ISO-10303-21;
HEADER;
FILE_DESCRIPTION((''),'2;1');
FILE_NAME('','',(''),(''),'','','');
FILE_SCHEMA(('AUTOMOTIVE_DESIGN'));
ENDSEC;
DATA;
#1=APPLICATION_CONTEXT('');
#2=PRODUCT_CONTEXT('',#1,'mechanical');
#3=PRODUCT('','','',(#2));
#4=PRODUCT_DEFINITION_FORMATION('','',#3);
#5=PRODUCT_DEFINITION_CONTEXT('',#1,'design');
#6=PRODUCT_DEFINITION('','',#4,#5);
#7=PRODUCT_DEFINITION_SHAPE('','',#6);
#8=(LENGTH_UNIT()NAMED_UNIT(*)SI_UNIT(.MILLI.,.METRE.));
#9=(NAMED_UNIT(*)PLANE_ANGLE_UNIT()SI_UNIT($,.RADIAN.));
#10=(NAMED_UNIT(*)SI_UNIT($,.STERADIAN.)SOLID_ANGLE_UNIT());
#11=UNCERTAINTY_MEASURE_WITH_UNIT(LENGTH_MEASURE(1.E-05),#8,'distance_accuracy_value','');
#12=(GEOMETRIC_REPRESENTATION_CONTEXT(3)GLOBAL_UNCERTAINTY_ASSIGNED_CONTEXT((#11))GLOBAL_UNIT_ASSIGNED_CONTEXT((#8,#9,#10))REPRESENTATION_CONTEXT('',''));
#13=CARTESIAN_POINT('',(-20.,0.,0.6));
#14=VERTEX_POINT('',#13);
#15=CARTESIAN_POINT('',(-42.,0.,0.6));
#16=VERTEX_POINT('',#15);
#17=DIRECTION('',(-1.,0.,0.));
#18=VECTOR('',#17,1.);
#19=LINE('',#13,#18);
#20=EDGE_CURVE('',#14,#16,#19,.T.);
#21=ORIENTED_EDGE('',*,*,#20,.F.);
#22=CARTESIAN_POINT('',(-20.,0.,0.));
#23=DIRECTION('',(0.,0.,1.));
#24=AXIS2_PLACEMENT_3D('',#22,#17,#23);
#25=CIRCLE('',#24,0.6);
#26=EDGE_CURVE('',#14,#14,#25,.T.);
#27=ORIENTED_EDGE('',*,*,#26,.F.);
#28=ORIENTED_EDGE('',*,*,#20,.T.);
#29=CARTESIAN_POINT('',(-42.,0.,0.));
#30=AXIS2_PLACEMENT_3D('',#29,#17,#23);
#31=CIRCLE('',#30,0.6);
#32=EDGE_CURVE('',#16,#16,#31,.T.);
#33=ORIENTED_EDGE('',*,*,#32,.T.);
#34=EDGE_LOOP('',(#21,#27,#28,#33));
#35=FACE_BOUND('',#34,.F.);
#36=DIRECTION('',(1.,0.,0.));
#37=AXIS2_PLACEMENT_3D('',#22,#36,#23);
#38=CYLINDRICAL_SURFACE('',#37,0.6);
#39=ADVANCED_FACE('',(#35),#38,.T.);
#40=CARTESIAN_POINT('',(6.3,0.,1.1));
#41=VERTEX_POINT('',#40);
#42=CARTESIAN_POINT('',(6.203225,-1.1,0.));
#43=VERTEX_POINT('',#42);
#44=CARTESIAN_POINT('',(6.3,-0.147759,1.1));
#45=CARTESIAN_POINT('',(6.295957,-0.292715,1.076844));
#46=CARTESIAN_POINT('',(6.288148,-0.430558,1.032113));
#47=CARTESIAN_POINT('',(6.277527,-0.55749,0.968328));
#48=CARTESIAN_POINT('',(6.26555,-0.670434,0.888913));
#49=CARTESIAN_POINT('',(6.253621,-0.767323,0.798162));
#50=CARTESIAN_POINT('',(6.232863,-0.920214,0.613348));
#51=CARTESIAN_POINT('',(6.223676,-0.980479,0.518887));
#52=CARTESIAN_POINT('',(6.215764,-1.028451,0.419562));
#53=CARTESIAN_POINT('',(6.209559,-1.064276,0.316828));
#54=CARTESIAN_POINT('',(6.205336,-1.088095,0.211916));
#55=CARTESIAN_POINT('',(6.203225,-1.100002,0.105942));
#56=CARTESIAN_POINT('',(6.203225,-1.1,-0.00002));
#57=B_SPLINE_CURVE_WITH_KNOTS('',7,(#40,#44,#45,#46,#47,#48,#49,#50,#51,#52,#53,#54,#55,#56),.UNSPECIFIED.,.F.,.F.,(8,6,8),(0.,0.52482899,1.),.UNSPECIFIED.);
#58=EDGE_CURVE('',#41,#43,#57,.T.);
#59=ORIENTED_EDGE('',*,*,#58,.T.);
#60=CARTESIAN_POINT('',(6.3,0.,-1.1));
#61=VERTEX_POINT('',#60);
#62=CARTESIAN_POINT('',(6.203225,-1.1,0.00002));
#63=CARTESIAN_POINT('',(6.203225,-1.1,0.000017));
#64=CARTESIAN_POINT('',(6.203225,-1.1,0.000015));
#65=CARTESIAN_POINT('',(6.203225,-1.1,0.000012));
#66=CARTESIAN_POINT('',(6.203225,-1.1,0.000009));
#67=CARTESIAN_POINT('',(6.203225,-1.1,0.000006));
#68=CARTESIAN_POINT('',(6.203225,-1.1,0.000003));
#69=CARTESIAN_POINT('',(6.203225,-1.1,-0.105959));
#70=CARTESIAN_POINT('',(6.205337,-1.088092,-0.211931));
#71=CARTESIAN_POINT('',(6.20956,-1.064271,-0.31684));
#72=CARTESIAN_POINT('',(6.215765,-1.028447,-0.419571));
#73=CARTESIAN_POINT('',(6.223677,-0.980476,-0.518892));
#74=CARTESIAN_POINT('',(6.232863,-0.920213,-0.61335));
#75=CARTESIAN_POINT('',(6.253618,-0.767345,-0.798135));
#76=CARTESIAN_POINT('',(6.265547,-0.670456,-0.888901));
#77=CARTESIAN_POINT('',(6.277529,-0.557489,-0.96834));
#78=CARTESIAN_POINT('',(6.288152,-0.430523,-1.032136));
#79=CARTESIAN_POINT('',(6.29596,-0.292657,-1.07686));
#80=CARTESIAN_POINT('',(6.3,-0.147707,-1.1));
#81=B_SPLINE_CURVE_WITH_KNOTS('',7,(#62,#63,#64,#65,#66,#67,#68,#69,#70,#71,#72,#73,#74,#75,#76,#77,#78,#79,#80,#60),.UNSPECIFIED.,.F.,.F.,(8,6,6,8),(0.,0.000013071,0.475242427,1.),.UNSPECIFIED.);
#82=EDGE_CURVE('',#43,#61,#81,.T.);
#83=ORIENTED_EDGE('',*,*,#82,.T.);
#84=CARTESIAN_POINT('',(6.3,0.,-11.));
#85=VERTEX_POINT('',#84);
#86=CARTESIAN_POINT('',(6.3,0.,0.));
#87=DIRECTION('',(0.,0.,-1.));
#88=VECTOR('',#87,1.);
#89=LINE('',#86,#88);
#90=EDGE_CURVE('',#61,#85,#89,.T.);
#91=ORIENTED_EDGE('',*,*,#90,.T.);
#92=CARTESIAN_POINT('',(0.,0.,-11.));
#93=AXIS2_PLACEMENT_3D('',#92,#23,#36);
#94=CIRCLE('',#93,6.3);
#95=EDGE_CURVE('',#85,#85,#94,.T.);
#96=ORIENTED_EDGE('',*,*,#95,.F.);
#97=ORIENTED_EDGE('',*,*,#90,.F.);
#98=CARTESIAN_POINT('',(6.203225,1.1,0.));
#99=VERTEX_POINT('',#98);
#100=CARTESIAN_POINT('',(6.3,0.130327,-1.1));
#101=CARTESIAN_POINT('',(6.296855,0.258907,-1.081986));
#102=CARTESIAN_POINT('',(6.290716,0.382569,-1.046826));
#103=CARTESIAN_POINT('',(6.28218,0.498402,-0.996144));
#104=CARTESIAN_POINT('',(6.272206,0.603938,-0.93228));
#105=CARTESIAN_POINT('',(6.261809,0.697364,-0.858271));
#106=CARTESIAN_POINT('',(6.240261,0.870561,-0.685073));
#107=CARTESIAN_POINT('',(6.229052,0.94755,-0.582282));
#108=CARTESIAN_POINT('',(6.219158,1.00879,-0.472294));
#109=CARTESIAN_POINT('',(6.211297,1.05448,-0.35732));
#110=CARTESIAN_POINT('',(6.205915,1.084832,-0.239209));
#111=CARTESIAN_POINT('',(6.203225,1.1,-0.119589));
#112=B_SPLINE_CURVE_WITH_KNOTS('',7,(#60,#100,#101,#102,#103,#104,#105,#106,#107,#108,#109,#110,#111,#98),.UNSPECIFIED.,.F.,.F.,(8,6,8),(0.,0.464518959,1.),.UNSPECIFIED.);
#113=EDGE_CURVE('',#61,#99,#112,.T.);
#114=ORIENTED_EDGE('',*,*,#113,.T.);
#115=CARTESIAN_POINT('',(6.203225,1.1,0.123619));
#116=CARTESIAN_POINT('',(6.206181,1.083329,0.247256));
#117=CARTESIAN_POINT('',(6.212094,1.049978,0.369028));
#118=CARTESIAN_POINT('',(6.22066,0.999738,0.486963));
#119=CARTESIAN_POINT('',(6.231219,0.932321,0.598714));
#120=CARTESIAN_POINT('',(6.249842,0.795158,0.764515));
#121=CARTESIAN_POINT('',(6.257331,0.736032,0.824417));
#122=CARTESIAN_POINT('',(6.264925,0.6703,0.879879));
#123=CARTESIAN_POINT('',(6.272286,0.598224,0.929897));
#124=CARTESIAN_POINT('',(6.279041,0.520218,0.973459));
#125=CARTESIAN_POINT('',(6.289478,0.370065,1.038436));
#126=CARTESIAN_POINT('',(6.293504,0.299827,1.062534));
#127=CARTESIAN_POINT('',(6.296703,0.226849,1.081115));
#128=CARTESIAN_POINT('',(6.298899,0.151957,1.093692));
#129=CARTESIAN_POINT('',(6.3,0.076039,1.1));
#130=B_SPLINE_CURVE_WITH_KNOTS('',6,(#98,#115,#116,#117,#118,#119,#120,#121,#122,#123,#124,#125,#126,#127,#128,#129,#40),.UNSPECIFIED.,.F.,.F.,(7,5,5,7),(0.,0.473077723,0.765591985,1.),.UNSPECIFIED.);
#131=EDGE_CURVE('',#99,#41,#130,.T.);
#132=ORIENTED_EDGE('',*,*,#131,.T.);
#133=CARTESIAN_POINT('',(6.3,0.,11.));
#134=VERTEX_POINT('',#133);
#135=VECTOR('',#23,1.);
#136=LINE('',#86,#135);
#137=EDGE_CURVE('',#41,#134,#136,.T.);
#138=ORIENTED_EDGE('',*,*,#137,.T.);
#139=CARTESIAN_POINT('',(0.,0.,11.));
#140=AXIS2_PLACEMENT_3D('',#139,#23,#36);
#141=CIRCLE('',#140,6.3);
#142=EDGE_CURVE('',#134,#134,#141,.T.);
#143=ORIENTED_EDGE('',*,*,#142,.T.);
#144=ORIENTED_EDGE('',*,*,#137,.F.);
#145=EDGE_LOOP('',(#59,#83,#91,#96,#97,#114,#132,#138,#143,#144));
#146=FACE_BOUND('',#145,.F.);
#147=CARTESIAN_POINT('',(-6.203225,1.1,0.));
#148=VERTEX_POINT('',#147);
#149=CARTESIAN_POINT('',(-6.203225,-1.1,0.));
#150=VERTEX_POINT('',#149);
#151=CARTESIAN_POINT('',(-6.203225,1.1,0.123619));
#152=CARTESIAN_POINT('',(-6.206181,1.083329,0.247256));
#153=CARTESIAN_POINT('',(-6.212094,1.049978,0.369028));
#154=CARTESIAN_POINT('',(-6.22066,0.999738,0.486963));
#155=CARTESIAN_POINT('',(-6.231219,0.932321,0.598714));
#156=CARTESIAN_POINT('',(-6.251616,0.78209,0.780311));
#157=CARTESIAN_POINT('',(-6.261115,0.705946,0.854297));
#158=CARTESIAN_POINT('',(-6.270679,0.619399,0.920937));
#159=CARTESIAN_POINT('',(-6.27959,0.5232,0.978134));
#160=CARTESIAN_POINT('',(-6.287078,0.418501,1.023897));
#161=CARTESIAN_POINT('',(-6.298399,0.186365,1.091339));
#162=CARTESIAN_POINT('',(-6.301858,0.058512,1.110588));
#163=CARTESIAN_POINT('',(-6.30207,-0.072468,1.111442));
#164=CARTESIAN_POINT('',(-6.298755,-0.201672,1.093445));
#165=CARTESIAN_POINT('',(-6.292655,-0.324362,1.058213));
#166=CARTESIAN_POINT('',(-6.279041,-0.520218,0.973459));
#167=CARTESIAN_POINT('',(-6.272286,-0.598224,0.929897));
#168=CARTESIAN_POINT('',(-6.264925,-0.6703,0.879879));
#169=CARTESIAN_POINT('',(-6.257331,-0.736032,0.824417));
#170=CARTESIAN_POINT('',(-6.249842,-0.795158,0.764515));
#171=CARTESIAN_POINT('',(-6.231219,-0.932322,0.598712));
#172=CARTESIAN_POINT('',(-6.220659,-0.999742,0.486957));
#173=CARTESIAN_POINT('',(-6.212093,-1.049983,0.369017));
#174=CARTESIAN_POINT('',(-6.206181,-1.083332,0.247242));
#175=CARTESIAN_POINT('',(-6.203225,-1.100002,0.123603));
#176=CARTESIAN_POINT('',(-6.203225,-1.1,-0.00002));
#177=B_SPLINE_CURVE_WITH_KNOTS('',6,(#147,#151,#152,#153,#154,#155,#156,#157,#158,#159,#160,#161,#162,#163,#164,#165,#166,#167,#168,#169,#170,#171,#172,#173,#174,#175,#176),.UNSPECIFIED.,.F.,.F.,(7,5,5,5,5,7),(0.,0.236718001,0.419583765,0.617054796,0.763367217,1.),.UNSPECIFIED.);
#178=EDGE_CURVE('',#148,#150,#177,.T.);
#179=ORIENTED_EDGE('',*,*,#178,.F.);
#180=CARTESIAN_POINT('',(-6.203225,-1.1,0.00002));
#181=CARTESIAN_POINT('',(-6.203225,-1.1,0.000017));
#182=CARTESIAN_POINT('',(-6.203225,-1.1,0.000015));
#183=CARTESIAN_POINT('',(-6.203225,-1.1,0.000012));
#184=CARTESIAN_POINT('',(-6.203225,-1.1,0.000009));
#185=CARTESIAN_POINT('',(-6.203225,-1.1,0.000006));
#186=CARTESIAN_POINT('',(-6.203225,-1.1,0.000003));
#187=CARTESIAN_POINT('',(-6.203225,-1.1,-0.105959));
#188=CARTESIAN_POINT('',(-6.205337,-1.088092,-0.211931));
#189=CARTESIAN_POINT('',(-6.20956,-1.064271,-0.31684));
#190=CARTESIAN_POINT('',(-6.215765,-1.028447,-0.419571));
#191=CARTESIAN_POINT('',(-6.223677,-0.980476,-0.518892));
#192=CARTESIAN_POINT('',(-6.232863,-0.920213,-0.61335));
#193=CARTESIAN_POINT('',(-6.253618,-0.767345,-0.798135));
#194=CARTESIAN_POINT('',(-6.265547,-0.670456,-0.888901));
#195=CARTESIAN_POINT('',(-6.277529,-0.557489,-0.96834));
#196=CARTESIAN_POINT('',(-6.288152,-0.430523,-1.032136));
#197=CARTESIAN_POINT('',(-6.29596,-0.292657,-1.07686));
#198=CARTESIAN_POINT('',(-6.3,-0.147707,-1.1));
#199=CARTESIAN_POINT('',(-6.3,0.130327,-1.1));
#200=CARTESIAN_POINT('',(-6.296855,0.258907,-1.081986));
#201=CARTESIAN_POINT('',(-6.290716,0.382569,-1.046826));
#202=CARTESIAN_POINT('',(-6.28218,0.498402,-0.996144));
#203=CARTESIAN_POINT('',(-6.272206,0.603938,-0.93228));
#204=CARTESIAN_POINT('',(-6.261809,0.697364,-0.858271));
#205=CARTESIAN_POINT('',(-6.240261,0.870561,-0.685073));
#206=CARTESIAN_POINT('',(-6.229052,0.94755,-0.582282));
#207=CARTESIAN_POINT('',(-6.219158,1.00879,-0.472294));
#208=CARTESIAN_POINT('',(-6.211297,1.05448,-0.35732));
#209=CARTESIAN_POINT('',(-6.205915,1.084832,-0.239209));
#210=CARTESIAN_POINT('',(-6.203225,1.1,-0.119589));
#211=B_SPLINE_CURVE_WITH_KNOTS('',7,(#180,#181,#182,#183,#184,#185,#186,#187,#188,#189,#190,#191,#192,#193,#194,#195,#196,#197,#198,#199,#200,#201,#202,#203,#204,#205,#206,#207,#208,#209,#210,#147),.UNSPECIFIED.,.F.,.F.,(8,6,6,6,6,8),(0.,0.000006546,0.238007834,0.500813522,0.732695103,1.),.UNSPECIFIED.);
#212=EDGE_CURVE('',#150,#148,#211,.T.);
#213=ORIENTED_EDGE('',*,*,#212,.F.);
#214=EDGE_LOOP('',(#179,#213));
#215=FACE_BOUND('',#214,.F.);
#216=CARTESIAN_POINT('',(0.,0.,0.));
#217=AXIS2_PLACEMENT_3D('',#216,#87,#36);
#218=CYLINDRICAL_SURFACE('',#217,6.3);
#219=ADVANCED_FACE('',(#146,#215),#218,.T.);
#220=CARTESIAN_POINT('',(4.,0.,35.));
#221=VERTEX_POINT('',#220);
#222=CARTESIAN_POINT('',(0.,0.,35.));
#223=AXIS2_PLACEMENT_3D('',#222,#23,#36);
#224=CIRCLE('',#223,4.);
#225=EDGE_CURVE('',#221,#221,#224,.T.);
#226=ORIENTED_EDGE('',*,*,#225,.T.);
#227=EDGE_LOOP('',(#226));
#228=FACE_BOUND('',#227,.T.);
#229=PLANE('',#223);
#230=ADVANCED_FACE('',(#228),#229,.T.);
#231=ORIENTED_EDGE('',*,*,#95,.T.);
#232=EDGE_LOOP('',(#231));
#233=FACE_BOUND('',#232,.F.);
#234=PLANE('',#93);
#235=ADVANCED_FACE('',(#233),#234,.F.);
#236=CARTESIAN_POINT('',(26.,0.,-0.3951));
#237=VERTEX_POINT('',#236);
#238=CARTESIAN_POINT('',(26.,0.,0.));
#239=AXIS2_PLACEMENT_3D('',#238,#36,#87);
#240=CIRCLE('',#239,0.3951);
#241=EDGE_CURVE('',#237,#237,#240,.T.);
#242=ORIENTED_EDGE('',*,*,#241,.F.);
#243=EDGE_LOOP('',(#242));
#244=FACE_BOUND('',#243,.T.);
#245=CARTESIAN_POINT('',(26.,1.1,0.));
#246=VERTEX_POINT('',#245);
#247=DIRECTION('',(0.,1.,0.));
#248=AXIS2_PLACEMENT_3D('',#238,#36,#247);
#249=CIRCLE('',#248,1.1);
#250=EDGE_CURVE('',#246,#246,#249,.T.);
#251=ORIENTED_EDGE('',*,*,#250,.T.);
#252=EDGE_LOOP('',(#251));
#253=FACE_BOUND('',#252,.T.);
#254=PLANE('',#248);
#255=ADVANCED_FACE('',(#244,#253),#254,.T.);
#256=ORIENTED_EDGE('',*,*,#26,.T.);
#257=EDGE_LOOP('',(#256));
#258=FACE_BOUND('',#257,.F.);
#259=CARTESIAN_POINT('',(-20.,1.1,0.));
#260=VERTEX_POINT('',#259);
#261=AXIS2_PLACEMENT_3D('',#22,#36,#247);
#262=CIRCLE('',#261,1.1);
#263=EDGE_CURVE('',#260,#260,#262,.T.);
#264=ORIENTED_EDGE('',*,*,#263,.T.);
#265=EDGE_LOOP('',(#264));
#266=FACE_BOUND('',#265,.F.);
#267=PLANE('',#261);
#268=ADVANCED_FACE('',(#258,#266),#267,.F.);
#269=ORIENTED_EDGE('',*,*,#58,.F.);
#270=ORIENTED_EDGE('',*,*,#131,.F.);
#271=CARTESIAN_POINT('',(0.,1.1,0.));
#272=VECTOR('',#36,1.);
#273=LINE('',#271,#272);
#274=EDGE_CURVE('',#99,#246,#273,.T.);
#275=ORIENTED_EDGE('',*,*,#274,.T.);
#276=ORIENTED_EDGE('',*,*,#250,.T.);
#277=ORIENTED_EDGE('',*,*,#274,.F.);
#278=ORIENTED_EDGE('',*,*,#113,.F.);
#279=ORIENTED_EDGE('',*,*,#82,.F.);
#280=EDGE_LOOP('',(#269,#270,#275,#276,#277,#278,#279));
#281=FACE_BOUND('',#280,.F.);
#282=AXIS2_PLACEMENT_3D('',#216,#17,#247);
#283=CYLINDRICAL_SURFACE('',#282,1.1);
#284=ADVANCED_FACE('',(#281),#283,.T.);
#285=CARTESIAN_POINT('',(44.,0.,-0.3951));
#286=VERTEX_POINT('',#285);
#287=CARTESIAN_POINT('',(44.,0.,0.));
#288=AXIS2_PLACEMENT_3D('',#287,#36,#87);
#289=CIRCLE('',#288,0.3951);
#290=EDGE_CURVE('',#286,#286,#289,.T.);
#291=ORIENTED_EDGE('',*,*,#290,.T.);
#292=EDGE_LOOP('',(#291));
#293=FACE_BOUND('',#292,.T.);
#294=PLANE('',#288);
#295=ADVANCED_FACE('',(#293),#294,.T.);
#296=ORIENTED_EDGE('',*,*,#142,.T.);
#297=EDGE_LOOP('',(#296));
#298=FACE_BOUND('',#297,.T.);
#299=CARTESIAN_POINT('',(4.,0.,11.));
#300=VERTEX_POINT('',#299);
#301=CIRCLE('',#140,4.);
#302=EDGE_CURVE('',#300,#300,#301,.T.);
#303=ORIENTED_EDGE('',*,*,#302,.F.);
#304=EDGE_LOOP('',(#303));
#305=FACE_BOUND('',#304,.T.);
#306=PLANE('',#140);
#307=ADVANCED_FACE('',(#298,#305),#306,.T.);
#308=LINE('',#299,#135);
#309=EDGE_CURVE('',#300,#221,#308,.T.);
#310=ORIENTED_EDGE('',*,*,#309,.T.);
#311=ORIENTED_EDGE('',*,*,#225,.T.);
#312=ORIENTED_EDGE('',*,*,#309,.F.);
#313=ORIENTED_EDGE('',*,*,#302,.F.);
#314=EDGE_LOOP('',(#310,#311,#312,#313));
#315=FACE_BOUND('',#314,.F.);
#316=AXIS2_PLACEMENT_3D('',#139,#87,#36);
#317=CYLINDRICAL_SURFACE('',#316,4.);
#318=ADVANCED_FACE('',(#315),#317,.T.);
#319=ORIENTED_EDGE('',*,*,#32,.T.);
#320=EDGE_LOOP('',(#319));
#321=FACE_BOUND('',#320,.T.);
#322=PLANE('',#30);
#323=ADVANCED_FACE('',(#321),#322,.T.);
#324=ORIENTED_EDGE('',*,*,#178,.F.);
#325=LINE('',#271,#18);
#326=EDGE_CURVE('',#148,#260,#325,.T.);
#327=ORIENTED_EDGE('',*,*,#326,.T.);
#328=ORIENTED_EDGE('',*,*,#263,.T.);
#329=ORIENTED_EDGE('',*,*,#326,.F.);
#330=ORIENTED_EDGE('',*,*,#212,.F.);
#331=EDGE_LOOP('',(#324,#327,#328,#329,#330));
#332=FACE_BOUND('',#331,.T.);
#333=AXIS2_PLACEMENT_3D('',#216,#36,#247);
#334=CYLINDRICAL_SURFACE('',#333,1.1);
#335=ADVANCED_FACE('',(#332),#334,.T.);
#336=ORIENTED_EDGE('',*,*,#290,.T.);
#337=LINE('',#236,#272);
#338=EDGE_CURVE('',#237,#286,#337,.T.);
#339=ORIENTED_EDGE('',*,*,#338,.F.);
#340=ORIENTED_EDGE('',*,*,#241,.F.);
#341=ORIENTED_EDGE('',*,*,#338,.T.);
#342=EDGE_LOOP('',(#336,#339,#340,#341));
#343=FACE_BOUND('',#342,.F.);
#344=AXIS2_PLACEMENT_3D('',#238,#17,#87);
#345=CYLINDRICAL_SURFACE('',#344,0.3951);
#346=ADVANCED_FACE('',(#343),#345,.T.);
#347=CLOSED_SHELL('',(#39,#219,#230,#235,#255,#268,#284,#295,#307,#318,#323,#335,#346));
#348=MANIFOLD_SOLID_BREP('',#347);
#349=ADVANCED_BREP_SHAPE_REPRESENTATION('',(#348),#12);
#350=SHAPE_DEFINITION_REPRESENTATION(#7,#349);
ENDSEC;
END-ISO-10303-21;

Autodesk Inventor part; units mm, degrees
ref_plane "YZ Plane" through (0, 0, 0) normal (1, 0, 0) x (0, 1, 0)
ref_plane "XZ Plane" through (0, 0, 0) normal (0, 1, 0) x (-1, 0, 0)
ref_plane "XY Plane" through (0, 0, 0) normal (0, 0, 1) x (1, 0, 0)
sketch "Skizze1" plane through (0, 0, 0) normal (0, 0, 1) x (1, 0, 0)
  circle A0 centre (0, 0) radius 6.3
  dimension "d0" = 12.6
extrude "Extrusion1" add sketch "Skizze1" along normal mid plane 22
sketch "Skizze2" plane through (0, 0, 11) normal (0, 0, 1) x (1, 0, 0)
  circle A0 centre (0, 0) radius 6.3 projected
  circle A1 centre (0, 0) radius 4
  dimension "d3" = 8
extrude "Extrusion2" add sketch "Skizze2" along normal blind 24 contours A1
sketch "Skizze3" plane through (0, 0, 0) normal (1, 0, 0) x (0, 1, 0)
  circle A0 centre (0, 0) radius 1.1
  dimension "d6" = 2.2
extrude "Extrusion3" add sketch "Skizze3" along normal blind 26 and the other way blind 20
sketch "Skizze4" plane through (26, 0, 0) normal (1, 0, 0) x (0, 0, -1)
  circle A0 centre (0, 0) radius 0.3951
extrude "Extrusion4" add sketch "Skizze4" along normal blind 18
sketch "Skizze5" plane through (-20, 0, 0) normal (-1, 0, 0) x (0, 0, 1)
  circle A0 centre (0, 0) radius 0.6
  dimension "d13" = 1.2
extrude "Extrusion5" add sketch "Skizze5" along normal blind 22
properties part number "Probenkammer-Dummy" material "Glas"
